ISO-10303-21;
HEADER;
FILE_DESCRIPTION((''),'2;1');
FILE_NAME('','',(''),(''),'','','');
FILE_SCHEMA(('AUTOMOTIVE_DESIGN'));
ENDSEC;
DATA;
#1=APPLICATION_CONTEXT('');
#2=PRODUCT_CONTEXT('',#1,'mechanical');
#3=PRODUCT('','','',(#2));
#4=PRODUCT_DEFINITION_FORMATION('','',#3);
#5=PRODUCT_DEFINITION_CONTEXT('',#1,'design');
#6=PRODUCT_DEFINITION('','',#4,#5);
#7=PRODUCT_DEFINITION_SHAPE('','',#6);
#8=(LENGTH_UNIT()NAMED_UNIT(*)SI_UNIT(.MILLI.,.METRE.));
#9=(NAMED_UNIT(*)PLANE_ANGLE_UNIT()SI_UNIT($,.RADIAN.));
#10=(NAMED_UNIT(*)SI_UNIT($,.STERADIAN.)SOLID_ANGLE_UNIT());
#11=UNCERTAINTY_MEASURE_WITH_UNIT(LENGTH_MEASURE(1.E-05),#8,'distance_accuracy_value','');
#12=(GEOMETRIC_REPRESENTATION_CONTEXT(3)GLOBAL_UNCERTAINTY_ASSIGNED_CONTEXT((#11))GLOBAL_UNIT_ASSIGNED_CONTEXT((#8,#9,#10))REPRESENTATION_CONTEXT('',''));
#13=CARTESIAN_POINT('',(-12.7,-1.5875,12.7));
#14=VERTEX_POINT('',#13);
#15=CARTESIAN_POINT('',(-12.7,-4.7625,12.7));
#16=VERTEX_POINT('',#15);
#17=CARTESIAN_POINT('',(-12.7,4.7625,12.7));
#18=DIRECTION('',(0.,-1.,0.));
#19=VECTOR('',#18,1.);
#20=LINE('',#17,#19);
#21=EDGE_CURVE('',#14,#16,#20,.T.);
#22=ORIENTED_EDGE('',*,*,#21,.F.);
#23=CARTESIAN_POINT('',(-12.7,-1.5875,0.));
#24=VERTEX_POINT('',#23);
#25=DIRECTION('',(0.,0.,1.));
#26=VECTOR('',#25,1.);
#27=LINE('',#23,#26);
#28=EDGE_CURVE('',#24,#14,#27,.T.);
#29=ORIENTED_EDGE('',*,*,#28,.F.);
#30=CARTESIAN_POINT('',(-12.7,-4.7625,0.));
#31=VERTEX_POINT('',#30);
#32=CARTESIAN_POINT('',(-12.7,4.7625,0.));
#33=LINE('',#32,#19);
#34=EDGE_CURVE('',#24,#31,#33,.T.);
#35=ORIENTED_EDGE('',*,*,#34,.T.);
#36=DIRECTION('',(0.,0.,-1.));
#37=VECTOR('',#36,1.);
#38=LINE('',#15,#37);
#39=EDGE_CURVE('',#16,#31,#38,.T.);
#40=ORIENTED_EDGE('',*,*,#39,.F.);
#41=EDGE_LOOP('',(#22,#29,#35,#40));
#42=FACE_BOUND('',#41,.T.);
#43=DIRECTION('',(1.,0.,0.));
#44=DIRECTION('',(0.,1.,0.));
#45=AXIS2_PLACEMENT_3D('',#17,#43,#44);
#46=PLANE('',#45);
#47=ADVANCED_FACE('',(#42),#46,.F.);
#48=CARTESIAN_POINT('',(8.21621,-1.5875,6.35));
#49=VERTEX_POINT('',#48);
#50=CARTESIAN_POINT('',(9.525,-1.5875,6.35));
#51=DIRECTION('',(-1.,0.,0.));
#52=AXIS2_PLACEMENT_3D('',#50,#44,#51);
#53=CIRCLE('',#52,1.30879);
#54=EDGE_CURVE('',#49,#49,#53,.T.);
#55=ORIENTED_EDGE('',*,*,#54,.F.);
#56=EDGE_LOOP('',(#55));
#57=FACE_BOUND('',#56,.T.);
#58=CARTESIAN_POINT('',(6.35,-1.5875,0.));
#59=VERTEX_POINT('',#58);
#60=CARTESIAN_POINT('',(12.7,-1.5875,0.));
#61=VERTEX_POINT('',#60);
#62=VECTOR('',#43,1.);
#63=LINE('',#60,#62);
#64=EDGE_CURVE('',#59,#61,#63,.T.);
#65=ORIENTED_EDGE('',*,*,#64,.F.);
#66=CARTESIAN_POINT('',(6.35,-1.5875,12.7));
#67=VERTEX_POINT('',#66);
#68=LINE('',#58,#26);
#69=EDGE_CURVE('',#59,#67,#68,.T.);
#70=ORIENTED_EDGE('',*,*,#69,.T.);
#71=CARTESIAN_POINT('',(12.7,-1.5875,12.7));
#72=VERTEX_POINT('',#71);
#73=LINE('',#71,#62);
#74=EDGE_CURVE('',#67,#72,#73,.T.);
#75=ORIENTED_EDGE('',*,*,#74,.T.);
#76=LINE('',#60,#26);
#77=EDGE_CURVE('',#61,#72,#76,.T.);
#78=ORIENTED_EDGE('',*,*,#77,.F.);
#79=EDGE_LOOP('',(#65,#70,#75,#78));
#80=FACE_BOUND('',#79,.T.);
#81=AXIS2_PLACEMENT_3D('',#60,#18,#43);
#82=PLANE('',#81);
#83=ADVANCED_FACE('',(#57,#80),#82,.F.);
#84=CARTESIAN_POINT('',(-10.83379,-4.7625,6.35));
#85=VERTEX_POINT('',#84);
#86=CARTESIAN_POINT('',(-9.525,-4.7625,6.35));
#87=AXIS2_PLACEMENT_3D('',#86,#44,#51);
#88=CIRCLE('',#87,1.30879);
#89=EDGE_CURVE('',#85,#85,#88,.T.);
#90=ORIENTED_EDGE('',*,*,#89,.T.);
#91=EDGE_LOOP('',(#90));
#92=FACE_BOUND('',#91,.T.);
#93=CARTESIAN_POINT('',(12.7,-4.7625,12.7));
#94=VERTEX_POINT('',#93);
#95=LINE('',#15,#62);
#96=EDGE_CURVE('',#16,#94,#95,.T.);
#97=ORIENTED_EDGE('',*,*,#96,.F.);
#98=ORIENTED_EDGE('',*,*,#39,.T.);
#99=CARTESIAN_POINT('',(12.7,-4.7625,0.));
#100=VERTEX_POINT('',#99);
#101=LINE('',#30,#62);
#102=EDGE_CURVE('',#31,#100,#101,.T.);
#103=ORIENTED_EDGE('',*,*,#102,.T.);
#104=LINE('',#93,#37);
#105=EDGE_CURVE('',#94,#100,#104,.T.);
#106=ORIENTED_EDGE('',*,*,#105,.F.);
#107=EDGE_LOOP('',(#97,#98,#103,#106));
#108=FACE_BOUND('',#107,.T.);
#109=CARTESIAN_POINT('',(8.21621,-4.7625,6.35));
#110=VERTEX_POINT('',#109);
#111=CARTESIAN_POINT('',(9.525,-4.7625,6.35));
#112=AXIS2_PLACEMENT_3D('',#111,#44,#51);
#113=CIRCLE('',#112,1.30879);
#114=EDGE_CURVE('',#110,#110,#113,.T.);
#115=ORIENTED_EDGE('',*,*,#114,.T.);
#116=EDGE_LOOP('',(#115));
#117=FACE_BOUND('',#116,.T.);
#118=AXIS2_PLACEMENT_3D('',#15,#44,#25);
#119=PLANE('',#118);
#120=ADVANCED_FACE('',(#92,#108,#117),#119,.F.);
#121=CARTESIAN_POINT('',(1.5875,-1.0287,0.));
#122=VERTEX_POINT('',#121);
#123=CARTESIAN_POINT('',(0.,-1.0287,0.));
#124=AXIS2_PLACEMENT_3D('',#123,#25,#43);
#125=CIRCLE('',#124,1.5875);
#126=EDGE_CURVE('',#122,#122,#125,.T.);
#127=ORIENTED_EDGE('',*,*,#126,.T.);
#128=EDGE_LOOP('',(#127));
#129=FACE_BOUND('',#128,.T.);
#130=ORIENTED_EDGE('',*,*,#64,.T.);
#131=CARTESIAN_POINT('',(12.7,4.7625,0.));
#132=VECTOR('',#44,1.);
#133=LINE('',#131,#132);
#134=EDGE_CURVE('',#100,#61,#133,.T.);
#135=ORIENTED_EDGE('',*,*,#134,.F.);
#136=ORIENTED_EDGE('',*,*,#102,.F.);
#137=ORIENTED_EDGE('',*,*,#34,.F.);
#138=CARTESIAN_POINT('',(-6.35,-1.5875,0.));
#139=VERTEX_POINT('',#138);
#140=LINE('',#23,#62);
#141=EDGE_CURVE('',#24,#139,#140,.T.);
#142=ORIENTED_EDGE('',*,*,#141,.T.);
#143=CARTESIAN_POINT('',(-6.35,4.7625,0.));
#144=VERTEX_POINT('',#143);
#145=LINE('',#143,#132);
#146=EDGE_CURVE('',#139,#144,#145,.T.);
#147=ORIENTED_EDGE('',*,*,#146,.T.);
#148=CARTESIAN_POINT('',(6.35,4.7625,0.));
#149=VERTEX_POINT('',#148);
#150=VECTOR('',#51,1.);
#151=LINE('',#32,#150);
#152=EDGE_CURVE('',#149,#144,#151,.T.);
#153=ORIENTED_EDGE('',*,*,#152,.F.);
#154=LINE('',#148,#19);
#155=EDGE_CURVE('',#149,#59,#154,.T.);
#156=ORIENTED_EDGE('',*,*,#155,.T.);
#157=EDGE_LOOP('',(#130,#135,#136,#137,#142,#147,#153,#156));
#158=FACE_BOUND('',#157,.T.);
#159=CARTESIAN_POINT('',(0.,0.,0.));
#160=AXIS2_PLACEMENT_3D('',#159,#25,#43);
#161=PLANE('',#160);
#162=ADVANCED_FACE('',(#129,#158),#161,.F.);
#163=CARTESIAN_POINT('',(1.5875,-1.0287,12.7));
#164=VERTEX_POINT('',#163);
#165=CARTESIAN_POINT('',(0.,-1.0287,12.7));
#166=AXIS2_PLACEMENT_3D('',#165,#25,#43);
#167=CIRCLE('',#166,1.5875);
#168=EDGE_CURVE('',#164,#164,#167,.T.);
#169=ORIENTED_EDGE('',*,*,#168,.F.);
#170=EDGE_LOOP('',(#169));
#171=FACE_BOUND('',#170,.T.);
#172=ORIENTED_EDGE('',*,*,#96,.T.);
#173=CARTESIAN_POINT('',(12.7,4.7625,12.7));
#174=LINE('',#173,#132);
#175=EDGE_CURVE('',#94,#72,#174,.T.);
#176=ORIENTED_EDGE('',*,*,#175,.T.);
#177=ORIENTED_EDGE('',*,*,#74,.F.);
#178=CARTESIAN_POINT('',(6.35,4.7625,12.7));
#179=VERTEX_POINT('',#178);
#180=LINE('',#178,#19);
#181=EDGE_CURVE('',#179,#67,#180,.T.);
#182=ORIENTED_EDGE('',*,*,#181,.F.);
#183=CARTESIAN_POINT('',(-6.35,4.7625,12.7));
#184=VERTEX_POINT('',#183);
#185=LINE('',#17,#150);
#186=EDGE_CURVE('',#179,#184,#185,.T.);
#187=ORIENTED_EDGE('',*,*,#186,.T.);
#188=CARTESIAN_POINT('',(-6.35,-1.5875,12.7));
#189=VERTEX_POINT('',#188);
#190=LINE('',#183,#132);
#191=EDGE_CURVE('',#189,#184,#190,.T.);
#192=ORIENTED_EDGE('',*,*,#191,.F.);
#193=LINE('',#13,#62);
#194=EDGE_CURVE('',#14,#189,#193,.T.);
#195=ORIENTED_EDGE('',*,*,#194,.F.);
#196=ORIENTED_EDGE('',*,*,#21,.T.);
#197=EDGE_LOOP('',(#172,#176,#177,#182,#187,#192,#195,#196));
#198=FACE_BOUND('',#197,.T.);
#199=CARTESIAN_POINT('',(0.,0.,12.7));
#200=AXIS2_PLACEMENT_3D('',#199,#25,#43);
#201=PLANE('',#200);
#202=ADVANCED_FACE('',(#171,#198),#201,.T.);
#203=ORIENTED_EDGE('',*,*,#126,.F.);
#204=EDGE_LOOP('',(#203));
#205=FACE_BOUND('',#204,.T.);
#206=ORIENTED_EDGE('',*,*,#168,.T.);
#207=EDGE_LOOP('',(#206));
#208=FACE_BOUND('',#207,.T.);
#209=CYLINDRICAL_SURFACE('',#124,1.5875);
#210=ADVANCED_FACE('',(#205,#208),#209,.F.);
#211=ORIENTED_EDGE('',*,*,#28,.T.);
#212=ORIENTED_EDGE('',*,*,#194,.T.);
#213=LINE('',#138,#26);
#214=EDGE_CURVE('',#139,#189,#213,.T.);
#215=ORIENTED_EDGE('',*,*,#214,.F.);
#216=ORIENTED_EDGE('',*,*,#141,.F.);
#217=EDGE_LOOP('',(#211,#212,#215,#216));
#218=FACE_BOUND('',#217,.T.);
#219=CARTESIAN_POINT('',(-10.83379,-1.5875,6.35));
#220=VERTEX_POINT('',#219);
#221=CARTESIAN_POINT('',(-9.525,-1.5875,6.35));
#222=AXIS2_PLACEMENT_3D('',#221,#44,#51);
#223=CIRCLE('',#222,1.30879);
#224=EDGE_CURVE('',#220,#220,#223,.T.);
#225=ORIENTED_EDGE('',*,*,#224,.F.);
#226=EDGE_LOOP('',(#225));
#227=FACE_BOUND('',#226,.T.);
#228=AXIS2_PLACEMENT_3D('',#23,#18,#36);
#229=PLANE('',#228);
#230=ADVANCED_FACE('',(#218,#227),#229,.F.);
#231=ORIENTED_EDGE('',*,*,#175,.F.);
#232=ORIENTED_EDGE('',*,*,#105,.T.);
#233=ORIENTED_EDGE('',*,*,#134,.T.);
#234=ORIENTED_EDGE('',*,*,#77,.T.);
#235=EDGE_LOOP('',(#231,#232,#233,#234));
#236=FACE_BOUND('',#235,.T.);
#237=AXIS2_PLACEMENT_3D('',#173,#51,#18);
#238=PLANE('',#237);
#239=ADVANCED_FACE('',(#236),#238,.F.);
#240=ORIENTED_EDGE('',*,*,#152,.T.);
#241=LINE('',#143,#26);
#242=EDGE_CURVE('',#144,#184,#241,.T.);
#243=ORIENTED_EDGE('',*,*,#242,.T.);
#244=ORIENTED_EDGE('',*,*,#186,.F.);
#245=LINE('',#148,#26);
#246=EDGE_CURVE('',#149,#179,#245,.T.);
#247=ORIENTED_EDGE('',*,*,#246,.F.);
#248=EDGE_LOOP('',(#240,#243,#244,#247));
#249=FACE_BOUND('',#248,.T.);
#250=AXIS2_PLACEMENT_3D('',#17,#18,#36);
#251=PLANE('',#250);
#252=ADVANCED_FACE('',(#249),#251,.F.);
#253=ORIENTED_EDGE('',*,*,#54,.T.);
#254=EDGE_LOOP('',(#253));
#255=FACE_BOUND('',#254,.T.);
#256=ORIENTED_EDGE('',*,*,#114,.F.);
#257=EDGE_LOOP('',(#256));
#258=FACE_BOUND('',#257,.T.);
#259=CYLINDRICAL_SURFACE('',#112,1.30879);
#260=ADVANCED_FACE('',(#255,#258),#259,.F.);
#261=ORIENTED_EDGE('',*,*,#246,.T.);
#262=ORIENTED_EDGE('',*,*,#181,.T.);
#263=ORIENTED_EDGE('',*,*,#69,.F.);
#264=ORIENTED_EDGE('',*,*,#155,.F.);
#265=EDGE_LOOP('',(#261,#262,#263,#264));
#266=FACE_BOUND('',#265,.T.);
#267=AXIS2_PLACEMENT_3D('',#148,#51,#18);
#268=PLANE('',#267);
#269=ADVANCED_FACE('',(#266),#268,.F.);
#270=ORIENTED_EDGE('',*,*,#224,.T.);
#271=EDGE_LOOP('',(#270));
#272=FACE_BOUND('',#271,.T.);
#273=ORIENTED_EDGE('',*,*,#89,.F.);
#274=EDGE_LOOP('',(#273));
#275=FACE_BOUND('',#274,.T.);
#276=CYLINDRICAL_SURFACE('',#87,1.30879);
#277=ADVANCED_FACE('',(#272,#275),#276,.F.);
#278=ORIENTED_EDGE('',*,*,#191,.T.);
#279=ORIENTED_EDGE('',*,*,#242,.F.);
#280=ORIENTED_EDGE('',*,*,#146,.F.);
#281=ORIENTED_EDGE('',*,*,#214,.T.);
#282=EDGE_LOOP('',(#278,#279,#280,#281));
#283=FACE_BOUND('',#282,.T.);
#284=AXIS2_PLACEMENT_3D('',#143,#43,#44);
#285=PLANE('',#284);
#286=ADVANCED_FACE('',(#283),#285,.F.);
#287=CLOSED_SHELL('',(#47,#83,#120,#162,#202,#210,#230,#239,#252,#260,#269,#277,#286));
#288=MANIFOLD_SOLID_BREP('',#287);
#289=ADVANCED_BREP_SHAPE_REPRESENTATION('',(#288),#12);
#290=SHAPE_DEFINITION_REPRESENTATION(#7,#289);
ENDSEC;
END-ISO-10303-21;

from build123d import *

# Parameters (mm, degrees)
SKETCH1_W           = 25.4
SKETCH1_H           = 9.525
BOSS_EXTRUDE1_DEPTH = 12.7
SKETCH2_R           = 1.5875
SKETCH2_W           = 6.35
SKETCH2_H           = 6.35
CUT_EXTRUDE1_DEPTH  = 19.581211108
SKETCH4_R           = 1.308790008
CUT_EXTRUDE2_DEPTH  = 20.05


with BuildPart() as part:
    # Sketch1 → Boss-Extrude1 (new body)
    with BuildSketch(Plane.XY):
        Rectangle(SKETCH1_W, SKETCH1_H)
    extrude(amount=BOSS_EXTRUDE1_DEPTH)

    # Sketch2 → Cut-Extrude1 (cut, through all)
    with BuildSketch(Plane.XY.offset(12.7)):
        with Locations((0, -1.0287)):
            Circle(SKETCH2_R)
        with Locations((-9.525, 1.5875)):
            Rectangle(SKETCH2_W, SKETCH2_H)
        with Locations((9.525, 1.5875)):
            Rectangle(SKETCH2_W, SKETCH2_H)
    extrude(amount=-CUT_EXTRUDE1_DEPTH, mode=Mode.SUBTRACT)

    # Sketch4 → Cut-Extrude2 (cut, through all)
    with BuildSketch(Plane(origin=(0, -1.5875, 0), x_dir=(1, 0, 0), z_dir=(0, 1, 0))):
        with Locations(Location((9.525, -6.35, 0), (0, 0, 180))):
            Circle(SKETCH4_R)
        with Locations(Location((-9.525, -6.35, 0), (0, 0, 180))):
            Circle(SKETCH4_R)
    extrude(amount=-CUT_EXTRUDE2_DEPTH, mode=Mode.SUBTRACT)


solid = part.part
